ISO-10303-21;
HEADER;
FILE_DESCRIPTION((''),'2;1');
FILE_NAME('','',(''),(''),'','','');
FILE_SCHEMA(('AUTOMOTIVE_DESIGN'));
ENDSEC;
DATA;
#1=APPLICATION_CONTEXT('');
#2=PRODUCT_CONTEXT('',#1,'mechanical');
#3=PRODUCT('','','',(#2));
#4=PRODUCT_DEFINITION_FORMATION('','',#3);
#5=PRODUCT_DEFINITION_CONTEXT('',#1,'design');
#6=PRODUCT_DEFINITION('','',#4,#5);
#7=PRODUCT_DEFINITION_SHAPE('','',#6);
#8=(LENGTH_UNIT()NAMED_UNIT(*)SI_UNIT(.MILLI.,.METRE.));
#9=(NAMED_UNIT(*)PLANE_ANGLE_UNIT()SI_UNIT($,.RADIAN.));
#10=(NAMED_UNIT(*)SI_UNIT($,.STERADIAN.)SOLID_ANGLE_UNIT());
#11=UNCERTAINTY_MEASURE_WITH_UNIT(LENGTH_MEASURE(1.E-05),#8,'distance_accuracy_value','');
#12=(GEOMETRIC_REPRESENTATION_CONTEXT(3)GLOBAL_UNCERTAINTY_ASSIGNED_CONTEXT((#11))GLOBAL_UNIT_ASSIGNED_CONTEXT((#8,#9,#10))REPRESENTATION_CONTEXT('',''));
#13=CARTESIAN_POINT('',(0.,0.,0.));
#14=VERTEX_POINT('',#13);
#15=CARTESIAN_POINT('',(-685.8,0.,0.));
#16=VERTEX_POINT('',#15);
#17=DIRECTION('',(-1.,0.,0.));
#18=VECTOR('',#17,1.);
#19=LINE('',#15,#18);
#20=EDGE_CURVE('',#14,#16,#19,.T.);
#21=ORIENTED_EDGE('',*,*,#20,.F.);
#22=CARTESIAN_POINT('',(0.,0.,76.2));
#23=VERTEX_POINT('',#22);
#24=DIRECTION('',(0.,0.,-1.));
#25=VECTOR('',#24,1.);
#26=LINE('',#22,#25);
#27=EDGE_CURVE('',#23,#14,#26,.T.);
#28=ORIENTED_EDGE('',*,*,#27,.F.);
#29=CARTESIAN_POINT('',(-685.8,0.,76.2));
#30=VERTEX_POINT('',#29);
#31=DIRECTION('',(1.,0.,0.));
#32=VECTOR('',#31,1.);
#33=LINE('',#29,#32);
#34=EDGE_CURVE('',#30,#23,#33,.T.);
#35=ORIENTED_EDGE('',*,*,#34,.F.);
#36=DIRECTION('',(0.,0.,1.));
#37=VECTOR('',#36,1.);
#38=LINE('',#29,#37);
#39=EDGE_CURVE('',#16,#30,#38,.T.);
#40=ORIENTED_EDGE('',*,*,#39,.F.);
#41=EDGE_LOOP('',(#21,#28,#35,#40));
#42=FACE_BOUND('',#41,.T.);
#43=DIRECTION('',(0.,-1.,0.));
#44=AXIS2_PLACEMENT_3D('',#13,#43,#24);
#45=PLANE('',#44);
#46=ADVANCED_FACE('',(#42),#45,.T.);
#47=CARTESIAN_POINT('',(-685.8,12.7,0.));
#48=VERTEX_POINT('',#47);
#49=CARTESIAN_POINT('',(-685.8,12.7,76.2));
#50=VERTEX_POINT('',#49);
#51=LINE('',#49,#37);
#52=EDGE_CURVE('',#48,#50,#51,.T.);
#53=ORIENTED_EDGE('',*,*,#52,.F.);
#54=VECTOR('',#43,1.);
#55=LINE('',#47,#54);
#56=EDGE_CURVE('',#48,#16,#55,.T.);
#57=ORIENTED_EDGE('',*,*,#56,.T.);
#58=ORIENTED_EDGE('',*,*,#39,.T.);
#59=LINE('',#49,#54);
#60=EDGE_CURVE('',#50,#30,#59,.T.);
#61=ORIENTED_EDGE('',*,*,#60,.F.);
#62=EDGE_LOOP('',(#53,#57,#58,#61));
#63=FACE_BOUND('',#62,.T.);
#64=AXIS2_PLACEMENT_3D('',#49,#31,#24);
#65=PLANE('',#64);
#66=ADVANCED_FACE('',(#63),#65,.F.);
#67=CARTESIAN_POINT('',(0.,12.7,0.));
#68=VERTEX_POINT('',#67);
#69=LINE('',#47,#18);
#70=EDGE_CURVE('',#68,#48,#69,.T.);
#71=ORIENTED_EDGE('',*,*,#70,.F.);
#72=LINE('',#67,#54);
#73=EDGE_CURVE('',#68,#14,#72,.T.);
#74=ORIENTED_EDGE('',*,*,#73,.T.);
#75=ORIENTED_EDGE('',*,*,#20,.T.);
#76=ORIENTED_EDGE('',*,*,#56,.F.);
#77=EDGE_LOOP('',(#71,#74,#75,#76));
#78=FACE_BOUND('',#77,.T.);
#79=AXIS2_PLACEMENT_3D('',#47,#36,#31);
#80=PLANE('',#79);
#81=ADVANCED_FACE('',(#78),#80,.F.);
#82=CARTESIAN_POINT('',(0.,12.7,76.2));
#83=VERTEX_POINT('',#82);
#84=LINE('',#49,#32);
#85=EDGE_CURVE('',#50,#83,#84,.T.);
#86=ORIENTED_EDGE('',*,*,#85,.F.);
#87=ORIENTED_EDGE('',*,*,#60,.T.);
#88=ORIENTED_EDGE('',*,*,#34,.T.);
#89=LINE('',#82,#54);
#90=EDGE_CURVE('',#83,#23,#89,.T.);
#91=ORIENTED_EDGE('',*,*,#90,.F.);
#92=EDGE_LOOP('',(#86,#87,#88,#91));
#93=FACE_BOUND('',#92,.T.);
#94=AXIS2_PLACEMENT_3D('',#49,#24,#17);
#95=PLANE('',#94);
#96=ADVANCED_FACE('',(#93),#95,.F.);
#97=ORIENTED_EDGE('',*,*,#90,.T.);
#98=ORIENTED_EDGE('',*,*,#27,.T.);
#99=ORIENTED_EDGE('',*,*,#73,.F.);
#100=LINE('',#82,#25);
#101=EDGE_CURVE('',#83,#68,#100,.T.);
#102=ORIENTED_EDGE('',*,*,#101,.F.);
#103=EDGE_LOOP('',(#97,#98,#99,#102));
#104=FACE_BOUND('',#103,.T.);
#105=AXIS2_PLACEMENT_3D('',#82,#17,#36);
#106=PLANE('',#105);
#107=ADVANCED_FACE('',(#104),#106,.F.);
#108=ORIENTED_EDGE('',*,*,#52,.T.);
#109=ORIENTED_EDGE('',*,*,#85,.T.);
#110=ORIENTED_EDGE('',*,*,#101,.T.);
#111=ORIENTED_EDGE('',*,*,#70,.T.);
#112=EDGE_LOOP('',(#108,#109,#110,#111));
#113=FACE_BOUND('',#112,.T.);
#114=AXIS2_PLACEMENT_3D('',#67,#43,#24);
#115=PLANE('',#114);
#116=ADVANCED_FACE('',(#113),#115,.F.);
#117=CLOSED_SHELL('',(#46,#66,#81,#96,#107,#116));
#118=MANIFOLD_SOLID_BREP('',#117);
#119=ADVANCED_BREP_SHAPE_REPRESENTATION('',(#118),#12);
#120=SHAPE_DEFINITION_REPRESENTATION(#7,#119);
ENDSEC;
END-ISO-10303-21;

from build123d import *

# Parameters (mm, degrees)
SKETCH1_W           = 685.8
SKETCH1_H           = 76.2
BOSS_EXTRUDE1_DEPTH = 12.7


with BuildPart() as part:
    # Sketch1 → Boss-Extrude1 (new body)
    with BuildSketch(Plane(origin=(0, 0, 0), x_dir=(1, 0, 0), z_dir=(0, 1, 0))):
        with Locations((-342.9, -38.1)):
            Rectangle(SKETCH1_W, SKETCH1_H)
    extrude(amount=BOSS_EXTRUDE1_DEPTH)


solid = part.part
